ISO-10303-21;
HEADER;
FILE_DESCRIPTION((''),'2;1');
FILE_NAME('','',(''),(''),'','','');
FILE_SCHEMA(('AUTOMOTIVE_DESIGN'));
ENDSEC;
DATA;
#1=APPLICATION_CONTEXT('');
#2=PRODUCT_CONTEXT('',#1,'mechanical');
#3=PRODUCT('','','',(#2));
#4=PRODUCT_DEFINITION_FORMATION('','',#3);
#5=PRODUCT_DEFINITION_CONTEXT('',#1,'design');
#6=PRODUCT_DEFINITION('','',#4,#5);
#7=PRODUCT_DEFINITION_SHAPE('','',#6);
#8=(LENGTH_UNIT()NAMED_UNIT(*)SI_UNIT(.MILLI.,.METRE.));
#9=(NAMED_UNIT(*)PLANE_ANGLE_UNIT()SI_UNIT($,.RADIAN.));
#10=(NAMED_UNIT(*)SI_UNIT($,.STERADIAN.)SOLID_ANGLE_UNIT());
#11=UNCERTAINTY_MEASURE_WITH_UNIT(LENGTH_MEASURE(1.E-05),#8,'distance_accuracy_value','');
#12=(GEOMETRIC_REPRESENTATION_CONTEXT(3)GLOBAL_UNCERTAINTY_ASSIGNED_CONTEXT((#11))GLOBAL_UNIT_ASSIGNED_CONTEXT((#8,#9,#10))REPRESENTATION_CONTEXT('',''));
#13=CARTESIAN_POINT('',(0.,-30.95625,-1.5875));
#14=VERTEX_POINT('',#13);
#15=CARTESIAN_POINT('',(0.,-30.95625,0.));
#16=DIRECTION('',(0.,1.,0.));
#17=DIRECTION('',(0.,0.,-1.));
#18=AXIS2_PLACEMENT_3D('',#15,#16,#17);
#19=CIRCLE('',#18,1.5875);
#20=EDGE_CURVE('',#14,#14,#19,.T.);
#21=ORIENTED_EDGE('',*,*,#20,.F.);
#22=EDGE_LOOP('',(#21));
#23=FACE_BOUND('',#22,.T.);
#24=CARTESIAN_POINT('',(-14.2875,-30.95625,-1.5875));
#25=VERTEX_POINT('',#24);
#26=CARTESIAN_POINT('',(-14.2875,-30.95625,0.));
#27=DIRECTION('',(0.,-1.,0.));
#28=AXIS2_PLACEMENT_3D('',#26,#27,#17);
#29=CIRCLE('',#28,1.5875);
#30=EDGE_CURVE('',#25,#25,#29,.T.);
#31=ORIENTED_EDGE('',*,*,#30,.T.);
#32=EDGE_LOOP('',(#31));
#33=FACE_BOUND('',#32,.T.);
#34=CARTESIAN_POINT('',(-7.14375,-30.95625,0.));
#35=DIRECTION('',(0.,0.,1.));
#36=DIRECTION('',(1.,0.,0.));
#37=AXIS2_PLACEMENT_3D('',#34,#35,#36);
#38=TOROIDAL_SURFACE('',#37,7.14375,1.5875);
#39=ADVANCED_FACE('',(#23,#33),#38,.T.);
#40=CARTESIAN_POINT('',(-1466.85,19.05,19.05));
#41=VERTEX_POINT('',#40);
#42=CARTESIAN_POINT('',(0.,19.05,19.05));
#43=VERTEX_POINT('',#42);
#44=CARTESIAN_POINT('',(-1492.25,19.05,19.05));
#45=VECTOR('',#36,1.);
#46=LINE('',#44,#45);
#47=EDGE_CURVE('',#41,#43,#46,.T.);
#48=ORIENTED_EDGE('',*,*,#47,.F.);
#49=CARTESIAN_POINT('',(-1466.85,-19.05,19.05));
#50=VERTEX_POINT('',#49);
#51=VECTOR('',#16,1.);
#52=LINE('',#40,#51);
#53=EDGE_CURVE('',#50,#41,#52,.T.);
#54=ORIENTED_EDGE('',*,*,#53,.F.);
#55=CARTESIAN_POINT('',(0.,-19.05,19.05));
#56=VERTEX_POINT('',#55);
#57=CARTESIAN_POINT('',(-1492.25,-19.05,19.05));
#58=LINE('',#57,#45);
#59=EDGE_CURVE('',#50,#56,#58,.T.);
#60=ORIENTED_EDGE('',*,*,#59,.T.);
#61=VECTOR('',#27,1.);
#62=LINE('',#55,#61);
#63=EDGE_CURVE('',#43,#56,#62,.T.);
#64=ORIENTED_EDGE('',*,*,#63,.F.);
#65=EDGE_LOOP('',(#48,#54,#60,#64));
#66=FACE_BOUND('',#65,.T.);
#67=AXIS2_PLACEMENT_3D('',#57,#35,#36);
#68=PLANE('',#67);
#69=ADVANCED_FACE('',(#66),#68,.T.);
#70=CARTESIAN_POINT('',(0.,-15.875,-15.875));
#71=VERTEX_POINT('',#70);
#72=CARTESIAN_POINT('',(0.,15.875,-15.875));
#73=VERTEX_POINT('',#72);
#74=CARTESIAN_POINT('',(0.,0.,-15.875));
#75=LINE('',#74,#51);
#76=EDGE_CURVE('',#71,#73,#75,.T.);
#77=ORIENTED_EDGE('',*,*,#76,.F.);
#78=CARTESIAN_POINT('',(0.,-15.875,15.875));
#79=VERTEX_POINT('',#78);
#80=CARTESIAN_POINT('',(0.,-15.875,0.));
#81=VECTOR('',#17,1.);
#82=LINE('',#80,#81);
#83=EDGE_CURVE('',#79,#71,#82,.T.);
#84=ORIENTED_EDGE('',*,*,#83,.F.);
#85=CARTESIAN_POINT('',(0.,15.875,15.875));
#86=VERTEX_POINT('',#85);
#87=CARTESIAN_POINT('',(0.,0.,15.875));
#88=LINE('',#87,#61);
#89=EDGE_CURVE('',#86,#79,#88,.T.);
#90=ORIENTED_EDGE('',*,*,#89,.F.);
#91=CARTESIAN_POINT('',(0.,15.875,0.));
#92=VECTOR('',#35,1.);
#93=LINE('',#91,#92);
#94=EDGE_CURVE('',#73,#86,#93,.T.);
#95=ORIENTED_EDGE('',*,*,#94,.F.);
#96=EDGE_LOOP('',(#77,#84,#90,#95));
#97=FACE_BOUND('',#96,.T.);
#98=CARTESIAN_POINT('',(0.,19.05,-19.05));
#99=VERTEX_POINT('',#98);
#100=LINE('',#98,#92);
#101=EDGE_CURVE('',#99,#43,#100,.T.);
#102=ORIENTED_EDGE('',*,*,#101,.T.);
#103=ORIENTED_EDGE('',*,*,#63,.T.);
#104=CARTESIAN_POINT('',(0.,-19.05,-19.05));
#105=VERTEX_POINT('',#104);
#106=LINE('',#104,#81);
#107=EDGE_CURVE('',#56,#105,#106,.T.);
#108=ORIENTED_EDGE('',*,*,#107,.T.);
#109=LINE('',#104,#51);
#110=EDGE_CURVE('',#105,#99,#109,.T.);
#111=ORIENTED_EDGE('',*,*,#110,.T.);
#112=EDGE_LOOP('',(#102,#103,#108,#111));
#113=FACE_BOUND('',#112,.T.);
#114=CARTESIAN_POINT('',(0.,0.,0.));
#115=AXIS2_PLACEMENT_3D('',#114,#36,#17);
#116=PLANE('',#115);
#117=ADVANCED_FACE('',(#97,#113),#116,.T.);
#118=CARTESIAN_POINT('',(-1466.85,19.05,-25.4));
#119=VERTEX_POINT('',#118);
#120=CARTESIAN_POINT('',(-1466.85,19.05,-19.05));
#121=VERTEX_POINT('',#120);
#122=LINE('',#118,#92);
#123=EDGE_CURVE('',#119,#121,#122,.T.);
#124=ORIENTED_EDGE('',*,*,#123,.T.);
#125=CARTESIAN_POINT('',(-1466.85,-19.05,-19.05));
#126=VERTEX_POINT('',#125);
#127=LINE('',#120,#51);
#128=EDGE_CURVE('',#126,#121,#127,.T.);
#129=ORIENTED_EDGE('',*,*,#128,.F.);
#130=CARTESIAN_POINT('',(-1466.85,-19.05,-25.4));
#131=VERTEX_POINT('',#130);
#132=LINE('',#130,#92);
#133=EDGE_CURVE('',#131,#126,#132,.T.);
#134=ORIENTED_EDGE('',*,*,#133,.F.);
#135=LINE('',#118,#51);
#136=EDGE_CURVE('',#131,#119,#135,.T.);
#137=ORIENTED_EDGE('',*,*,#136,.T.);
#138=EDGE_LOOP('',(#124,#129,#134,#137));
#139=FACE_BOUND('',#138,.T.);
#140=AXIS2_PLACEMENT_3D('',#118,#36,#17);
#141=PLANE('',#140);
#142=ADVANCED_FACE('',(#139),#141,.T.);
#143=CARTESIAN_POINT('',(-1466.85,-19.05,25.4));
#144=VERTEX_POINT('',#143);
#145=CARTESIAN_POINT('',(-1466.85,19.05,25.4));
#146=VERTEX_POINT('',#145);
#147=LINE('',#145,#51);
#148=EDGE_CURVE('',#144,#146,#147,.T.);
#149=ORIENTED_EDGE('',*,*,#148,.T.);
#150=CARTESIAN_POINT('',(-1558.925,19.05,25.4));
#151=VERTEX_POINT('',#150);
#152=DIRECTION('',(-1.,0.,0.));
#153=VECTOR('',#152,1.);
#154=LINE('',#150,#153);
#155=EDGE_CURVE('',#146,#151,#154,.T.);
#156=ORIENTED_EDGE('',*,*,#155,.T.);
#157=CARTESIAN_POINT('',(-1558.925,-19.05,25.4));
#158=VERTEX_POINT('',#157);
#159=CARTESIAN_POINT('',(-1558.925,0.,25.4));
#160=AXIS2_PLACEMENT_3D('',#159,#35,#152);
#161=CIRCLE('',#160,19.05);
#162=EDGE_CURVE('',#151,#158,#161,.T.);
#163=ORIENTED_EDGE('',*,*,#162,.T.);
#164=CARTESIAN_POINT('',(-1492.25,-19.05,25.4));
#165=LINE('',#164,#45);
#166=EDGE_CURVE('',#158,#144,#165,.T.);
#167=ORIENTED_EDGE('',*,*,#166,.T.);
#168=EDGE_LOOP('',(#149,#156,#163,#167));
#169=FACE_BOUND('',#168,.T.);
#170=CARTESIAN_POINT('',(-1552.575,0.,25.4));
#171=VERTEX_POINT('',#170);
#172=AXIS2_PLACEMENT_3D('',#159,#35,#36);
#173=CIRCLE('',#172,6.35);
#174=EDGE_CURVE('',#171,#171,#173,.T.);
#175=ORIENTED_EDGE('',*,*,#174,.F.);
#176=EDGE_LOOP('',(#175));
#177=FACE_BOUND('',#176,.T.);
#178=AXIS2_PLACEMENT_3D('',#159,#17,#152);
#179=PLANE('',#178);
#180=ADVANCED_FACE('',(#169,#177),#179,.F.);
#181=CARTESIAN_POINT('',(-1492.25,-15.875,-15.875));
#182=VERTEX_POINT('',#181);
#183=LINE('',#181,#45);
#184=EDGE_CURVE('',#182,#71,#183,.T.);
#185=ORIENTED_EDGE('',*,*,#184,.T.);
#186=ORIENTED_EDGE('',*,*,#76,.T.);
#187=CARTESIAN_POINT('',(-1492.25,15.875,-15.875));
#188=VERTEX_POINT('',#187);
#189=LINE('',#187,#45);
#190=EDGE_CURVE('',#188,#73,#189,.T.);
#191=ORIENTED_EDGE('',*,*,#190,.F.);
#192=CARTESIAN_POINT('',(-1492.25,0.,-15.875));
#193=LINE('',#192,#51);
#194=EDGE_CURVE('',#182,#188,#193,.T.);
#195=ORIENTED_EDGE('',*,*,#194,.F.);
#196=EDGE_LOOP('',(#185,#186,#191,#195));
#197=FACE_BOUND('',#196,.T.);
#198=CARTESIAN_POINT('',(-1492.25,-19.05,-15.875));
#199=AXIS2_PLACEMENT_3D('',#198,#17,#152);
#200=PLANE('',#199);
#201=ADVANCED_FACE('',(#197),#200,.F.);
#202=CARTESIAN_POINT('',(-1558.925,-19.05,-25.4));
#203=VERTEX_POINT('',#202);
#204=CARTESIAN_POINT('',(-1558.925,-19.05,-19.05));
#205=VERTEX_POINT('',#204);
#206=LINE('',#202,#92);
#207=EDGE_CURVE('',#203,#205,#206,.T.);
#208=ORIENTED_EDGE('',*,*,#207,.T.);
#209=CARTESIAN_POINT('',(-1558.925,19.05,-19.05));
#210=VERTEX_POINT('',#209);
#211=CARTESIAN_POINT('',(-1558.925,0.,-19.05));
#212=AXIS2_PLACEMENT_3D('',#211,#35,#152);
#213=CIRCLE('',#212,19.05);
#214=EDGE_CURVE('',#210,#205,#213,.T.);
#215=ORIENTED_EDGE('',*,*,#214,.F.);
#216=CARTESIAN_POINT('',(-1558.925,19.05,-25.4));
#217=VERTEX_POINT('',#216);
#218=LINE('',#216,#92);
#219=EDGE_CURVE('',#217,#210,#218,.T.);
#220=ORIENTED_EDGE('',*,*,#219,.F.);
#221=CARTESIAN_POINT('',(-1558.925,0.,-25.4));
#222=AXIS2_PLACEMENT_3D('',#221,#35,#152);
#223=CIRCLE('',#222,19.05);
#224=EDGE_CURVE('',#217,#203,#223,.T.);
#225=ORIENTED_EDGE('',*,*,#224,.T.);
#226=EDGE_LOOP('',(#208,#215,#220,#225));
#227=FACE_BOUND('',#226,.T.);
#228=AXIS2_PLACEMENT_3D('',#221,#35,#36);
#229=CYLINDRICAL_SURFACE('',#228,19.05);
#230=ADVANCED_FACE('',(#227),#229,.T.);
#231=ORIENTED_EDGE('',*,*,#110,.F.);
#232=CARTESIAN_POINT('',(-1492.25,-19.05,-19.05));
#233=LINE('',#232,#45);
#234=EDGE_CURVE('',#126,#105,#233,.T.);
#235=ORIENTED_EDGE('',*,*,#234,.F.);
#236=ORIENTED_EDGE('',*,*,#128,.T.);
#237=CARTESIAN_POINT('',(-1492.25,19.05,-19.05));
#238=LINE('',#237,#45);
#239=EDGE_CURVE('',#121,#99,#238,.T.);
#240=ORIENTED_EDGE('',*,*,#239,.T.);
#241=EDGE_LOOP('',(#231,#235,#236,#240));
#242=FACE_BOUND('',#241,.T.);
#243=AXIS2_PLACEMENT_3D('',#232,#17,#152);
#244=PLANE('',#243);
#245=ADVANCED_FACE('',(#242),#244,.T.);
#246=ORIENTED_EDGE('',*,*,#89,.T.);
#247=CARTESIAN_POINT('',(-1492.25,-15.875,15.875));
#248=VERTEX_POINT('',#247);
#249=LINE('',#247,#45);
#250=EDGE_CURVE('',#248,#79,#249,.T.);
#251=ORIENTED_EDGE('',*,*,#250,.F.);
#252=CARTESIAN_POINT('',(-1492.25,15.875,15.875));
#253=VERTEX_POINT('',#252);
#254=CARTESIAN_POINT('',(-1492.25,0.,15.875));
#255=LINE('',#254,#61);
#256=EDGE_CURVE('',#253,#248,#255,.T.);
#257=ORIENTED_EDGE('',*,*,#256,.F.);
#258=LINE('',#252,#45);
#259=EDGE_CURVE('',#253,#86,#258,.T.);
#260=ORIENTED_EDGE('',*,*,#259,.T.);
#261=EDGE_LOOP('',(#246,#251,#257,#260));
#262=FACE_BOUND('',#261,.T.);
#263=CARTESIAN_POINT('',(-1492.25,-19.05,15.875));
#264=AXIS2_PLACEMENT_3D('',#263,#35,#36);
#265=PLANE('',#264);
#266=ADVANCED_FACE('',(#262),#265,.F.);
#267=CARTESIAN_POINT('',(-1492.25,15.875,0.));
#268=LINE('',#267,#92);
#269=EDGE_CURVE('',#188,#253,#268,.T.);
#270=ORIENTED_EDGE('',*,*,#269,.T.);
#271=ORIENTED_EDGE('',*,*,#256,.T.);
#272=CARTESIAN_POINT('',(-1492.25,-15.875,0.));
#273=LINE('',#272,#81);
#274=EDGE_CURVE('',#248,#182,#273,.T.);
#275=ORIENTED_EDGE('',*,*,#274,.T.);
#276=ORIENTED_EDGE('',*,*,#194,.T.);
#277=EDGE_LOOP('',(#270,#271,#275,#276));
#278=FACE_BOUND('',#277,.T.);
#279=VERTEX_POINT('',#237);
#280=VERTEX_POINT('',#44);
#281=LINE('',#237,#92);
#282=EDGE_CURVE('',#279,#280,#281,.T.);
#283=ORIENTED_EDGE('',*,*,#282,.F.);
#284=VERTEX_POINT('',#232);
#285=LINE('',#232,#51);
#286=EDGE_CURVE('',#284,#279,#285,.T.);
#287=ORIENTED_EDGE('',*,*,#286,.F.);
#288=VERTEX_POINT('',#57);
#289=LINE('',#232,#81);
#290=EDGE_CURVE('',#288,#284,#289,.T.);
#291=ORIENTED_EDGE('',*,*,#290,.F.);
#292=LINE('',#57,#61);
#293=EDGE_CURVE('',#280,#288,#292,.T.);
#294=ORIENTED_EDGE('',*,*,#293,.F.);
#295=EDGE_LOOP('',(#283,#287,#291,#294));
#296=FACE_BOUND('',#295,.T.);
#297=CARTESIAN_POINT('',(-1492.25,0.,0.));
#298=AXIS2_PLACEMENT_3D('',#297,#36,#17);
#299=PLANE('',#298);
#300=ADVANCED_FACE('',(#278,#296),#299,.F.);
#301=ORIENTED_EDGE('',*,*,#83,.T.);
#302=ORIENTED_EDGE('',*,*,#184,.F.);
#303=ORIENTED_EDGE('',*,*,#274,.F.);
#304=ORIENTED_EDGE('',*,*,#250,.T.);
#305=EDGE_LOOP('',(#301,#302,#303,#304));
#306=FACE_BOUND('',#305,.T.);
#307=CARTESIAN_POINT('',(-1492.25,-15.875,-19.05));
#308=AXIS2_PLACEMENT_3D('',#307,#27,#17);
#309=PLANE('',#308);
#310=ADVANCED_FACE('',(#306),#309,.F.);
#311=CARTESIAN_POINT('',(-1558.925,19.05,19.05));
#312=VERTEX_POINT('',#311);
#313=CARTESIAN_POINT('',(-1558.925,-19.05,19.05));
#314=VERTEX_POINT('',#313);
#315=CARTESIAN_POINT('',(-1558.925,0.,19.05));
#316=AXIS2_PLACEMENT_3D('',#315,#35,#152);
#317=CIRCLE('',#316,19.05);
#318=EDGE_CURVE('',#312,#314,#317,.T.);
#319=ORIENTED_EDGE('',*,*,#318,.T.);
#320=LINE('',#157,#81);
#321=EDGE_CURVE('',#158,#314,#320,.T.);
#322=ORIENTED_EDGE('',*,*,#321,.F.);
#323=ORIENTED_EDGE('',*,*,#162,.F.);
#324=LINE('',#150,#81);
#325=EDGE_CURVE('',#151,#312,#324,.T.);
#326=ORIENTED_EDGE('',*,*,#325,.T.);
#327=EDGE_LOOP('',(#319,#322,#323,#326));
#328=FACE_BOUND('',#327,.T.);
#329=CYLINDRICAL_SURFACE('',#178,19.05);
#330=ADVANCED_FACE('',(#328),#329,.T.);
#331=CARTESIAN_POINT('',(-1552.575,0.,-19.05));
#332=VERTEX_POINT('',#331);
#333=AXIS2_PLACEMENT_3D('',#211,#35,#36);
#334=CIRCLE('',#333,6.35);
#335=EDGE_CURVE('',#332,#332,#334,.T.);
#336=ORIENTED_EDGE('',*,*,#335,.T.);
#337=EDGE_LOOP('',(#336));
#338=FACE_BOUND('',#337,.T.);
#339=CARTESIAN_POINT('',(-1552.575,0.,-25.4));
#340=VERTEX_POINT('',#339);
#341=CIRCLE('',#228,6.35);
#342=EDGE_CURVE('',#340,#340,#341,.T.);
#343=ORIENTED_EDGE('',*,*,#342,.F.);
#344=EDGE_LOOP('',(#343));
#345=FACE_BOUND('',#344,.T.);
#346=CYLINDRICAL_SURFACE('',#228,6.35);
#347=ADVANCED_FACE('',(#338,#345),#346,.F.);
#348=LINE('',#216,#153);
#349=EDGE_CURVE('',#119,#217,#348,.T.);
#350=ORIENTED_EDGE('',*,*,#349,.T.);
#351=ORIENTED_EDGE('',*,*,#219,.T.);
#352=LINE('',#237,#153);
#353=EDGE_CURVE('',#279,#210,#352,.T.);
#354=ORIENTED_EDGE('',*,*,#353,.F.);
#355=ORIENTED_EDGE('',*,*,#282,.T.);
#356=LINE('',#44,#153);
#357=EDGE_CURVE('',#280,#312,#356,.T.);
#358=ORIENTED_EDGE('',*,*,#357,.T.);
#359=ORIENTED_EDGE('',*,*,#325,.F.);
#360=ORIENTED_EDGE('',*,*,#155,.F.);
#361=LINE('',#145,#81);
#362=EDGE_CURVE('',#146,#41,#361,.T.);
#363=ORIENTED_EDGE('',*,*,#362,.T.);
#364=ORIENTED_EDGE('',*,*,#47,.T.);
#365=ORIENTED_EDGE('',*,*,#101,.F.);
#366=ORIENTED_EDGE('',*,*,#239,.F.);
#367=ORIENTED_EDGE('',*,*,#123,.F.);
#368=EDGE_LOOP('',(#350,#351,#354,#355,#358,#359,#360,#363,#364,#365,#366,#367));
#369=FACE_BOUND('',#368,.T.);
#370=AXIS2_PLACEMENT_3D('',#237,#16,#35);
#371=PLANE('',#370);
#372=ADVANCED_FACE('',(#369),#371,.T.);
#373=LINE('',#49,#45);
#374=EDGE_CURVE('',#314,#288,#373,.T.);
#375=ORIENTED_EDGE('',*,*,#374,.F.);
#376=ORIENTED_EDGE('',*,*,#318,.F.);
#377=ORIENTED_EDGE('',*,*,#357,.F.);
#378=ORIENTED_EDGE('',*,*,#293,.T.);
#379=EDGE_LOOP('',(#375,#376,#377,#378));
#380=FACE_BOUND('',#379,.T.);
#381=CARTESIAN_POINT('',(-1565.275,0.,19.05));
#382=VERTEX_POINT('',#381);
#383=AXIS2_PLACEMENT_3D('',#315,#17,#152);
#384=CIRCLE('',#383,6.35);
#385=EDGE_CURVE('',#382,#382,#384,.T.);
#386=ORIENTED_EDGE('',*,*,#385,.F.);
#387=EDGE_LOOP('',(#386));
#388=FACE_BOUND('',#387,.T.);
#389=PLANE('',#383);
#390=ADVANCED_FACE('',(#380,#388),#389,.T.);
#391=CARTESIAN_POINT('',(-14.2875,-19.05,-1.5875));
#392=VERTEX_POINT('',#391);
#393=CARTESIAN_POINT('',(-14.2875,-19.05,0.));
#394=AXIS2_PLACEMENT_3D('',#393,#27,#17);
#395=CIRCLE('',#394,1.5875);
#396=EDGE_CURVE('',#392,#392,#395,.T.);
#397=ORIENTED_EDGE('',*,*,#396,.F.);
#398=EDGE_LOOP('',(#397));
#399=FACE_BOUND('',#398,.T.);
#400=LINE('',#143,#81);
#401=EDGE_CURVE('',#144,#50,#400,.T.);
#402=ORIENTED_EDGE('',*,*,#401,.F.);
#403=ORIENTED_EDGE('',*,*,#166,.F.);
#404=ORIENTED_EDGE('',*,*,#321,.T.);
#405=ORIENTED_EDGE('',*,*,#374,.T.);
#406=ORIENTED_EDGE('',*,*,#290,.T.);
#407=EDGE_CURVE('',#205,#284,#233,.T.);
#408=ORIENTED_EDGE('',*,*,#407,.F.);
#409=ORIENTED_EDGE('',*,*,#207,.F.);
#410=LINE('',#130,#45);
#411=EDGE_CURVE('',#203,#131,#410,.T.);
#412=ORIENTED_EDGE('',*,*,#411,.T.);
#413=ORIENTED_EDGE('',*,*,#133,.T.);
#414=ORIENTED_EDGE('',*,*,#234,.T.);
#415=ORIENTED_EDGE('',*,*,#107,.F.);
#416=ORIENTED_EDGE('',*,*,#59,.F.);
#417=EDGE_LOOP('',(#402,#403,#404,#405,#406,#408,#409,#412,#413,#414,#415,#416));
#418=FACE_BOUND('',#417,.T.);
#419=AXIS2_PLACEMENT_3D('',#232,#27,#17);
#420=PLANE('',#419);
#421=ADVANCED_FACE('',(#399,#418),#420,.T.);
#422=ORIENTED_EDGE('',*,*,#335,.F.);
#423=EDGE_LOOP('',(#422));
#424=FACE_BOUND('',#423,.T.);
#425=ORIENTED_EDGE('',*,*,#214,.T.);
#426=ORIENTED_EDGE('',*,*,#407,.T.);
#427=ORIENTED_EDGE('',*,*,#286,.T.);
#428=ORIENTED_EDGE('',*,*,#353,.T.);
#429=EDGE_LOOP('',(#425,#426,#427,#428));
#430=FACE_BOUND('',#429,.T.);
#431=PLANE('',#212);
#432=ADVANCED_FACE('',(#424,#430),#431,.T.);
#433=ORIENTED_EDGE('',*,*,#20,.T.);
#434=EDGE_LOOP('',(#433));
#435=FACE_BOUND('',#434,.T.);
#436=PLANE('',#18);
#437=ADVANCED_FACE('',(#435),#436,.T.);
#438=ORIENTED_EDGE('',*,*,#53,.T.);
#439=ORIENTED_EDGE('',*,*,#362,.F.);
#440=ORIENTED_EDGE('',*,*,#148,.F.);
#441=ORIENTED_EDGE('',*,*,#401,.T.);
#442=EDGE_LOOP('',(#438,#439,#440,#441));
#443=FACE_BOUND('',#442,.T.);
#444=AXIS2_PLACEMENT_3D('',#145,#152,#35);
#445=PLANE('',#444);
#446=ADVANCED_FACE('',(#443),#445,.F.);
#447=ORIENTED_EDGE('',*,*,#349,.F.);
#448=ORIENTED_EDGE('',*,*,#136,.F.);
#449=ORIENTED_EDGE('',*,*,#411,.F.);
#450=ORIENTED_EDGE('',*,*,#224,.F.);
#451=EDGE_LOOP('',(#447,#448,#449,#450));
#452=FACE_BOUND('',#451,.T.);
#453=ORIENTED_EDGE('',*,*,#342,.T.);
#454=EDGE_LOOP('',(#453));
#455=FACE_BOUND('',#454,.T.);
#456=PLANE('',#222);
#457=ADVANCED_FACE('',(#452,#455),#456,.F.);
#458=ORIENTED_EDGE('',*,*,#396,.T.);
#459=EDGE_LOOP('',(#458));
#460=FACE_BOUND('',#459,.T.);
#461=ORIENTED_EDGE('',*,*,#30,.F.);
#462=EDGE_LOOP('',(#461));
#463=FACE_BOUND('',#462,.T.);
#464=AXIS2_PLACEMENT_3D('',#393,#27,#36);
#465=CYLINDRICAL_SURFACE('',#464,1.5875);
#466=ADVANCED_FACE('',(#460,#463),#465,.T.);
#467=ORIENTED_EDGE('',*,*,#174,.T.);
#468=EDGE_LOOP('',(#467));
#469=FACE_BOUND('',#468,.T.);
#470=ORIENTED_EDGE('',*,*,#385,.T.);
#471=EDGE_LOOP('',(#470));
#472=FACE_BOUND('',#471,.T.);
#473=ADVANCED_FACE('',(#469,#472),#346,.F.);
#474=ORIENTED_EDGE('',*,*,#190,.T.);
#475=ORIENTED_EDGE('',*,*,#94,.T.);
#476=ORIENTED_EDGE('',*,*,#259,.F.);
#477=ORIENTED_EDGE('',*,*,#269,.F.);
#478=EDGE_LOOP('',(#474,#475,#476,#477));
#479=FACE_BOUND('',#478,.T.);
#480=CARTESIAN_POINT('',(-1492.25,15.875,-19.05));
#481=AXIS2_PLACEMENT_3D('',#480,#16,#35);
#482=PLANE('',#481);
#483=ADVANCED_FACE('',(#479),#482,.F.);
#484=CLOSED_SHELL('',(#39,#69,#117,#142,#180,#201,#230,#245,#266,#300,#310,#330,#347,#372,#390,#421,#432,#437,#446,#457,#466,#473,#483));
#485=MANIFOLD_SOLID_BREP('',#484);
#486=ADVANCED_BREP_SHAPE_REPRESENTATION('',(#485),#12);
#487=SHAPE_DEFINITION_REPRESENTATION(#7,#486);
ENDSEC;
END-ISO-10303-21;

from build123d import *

# Parameters (mm, degrees)
SKETCH2_W           = 38.1
SKETCH2_H           = 38.1
BOSS_EXTRUDE1_DEPTH = 1492.25
SHELL1_T            = -3.175
BOSS_EXTRUDE2_DEPTH = 6.35
SKETCH4_R           = 6.35
CUT_EXTRUDE1_DEPTH  = 1579.907420695
SKETCH7_R           = 1.5875


with BuildPart() as part:
    # Sketch2 → Boss-Extrude1 (new body)
    with BuildSketch(Plane(origin=(0, 0, 0), x_dir=(0, 0, -1), z_dir=(1, 0, 0))):
        Rectangle(SKETCH2_W, SKETCH2_H)
    extrude(amount=-BOSS_EXTRUDE1_DEPTH)

    # Shell1
    shell1_openings = [part.faces().sort_by_distance(p)[0] for p in [
        (-1492.25, 0, 0),
        (0, 0, 0),
    ]]
    offset(amount=SHELL1_T, openings=shell1_openings, kind=Kind.INTERSECTION)

    # Sketch3 → Boss-Extrude2 (add)
    with BuildSketch(Plane.XY.offset(19.05)):
        with BuildLine():
            Line((-1492.25, 19.05), (-1466.85, 19.05))
            Line((-1466.85, 19.05), (-1466.85, -19.05))
            Line((-1466.85, -19.05), (-1492.25, -19.05))
            Line((-1492.25, -19.05), (-1558.925, -19.05))
            ThreePointArc((-1558.925, -19.05), (-1577.975, 0), (-1558.925, 19.05))
            Line((-1558.925, 19.05), (-1492.25, 19.05))
        make_face()
    boss_extrude2 = extrude(amount=BOSS_EXTRUDE2_DEPTH)

    # Mirror1: Boss-Extrude2 across plane
    add(boss_extrude2.mirror(Plane.XY))

    # Sketch4 → Cut-Extrude1 (cut, through all)
    with BuildSketch(Plane.XY.offset(25.4)):
        with Locations((-1558.925, 0)):
            Circle(SKETCH4_R)
    extrude(amount=-CUT_EXTRUDE1_DEPTH, mode=Mode.SUBTRACT)

    # Sweep1: sweep along a path in Sketch5
    with BuildLine(Plane.XY) as sweep1_path:
        Line((-14.2875, -19.05), (-14.2875, -30.95625))
        ThreePointArc((-14.2875, -30.95625), (-7.14375, -38.1), (0, -30.95625))
    # Sketch7 → Sweep1 (sweep)
    with BuildSketch(Plane.XZ.offset(19.05)):
        with Locations((-14.2875, 0)):
            Circle(SKETCH7_R)
    sweep(path=sweep1_path.line)


solid = part.part
